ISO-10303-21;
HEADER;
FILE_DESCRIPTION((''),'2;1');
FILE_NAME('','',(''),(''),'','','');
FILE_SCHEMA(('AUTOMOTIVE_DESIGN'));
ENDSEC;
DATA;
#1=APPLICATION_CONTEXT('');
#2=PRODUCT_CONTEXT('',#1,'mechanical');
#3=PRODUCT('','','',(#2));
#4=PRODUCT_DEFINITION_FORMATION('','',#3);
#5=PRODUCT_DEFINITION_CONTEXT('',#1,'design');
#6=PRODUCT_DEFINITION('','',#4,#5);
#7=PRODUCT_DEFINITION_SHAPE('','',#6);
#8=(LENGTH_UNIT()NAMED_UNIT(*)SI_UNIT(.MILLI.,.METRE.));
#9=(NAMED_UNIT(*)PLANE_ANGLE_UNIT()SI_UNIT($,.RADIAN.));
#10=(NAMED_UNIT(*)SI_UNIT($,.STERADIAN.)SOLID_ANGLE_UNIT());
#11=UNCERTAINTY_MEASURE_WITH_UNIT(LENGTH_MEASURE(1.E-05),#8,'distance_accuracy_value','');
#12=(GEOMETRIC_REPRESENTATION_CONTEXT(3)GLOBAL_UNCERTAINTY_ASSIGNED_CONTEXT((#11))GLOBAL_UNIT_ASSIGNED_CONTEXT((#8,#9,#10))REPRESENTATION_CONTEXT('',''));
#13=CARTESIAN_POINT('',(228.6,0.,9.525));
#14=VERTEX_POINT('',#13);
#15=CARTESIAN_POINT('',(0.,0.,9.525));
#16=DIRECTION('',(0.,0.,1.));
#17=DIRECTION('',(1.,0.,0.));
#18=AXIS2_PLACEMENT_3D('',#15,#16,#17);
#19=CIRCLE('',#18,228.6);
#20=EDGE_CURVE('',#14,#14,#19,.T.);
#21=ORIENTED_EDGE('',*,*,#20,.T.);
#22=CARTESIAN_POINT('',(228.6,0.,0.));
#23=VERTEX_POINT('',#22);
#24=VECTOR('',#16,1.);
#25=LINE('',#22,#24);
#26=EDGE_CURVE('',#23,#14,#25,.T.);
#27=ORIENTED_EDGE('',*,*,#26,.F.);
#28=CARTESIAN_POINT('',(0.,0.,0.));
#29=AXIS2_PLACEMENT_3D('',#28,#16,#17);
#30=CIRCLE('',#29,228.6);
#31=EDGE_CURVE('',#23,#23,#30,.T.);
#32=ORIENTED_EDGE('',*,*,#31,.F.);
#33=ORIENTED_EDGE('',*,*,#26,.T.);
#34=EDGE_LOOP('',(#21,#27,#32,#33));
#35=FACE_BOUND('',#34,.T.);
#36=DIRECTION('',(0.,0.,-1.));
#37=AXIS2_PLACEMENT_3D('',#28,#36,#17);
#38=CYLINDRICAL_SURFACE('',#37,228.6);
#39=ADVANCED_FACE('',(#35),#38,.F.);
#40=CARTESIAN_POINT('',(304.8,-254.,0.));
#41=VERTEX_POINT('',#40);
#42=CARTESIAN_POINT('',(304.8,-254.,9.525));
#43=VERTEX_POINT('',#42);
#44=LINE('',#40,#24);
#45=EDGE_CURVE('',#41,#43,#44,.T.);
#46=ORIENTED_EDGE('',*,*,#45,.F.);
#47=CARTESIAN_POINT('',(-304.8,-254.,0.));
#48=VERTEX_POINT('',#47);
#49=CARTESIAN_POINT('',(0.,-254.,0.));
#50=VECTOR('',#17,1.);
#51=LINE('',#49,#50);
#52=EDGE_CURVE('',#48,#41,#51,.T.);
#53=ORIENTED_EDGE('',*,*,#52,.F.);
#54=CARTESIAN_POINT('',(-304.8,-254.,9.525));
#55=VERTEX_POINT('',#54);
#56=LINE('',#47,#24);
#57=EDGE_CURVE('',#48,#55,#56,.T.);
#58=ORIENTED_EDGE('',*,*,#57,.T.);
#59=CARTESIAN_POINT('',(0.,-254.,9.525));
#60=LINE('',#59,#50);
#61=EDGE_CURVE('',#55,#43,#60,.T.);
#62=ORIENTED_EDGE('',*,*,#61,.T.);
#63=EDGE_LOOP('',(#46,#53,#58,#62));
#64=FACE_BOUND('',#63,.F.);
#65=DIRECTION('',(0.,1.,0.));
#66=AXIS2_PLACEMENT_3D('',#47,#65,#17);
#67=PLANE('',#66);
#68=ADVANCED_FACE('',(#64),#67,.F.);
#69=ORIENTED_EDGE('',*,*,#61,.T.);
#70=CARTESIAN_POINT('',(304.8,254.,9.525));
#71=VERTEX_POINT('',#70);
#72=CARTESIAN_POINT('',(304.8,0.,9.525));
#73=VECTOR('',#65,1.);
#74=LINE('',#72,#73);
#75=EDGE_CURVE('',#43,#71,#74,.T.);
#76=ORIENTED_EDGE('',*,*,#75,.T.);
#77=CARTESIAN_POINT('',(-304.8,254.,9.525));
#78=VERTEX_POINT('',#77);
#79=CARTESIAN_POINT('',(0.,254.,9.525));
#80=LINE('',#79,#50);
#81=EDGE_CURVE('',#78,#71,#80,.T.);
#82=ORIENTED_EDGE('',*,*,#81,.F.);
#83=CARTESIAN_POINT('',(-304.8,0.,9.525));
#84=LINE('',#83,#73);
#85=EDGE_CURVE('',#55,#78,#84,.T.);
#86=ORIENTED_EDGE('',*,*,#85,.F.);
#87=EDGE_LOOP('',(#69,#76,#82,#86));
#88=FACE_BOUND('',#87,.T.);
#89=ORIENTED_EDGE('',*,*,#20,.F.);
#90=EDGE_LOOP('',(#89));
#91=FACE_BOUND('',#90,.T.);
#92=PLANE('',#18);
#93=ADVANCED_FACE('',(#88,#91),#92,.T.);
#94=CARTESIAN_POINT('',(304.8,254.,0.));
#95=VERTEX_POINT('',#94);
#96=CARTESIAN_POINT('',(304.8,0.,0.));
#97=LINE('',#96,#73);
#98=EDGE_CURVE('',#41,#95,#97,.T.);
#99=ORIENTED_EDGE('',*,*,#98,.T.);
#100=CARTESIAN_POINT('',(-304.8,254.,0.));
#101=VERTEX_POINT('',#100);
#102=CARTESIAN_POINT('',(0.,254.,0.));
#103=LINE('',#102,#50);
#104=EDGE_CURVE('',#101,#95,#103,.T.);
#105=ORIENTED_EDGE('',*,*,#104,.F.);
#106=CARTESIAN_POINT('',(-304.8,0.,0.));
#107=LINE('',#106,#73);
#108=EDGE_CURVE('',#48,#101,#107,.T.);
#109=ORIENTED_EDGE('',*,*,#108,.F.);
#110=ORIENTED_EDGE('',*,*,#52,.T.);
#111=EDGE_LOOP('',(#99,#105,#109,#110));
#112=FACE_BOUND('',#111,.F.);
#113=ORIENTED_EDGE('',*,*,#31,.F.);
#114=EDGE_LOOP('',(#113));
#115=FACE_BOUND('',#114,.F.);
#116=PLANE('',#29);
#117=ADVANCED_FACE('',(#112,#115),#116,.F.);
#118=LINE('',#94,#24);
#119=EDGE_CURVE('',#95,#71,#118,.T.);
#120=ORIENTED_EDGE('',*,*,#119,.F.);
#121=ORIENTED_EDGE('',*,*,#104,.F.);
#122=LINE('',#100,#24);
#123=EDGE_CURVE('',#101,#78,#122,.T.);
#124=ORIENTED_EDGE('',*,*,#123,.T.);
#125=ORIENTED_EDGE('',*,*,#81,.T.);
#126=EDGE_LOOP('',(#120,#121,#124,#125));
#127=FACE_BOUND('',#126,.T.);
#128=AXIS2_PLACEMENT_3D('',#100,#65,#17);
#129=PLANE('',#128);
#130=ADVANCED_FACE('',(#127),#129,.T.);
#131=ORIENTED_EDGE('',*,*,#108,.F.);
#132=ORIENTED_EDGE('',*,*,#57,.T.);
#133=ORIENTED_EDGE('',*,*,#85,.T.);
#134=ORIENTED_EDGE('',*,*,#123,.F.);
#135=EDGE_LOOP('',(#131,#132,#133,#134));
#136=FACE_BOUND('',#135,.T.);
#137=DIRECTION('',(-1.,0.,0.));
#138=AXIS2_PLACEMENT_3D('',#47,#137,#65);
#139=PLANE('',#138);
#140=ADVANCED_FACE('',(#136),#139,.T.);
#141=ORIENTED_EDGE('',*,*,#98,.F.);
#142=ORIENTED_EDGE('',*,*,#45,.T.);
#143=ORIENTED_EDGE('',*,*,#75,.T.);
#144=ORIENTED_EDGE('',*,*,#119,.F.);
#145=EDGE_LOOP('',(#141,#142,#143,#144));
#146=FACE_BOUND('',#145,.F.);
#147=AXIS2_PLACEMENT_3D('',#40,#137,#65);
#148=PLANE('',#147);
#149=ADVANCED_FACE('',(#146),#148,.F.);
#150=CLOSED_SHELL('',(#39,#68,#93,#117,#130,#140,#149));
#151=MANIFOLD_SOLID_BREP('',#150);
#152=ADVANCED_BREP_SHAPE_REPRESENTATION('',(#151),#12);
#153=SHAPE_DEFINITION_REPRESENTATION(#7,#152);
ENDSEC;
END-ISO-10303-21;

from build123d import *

# Parameters (mm, degrees)
F0_W     = 609.6
F0_H     = 508
F0_R     = 228.6
F1_DEPTH = 9.525


with BuildPart() as f1:
    # F0 (on Top) → F1 (new body)
    with BuildSketch(Plane.XY):
        Rectangle(F0_W, F0_H)
        Circle(F0_R, mode=Mode.SUBTRACT)
    extrude(amount=F1_DEPTH)


solid = f1.part
